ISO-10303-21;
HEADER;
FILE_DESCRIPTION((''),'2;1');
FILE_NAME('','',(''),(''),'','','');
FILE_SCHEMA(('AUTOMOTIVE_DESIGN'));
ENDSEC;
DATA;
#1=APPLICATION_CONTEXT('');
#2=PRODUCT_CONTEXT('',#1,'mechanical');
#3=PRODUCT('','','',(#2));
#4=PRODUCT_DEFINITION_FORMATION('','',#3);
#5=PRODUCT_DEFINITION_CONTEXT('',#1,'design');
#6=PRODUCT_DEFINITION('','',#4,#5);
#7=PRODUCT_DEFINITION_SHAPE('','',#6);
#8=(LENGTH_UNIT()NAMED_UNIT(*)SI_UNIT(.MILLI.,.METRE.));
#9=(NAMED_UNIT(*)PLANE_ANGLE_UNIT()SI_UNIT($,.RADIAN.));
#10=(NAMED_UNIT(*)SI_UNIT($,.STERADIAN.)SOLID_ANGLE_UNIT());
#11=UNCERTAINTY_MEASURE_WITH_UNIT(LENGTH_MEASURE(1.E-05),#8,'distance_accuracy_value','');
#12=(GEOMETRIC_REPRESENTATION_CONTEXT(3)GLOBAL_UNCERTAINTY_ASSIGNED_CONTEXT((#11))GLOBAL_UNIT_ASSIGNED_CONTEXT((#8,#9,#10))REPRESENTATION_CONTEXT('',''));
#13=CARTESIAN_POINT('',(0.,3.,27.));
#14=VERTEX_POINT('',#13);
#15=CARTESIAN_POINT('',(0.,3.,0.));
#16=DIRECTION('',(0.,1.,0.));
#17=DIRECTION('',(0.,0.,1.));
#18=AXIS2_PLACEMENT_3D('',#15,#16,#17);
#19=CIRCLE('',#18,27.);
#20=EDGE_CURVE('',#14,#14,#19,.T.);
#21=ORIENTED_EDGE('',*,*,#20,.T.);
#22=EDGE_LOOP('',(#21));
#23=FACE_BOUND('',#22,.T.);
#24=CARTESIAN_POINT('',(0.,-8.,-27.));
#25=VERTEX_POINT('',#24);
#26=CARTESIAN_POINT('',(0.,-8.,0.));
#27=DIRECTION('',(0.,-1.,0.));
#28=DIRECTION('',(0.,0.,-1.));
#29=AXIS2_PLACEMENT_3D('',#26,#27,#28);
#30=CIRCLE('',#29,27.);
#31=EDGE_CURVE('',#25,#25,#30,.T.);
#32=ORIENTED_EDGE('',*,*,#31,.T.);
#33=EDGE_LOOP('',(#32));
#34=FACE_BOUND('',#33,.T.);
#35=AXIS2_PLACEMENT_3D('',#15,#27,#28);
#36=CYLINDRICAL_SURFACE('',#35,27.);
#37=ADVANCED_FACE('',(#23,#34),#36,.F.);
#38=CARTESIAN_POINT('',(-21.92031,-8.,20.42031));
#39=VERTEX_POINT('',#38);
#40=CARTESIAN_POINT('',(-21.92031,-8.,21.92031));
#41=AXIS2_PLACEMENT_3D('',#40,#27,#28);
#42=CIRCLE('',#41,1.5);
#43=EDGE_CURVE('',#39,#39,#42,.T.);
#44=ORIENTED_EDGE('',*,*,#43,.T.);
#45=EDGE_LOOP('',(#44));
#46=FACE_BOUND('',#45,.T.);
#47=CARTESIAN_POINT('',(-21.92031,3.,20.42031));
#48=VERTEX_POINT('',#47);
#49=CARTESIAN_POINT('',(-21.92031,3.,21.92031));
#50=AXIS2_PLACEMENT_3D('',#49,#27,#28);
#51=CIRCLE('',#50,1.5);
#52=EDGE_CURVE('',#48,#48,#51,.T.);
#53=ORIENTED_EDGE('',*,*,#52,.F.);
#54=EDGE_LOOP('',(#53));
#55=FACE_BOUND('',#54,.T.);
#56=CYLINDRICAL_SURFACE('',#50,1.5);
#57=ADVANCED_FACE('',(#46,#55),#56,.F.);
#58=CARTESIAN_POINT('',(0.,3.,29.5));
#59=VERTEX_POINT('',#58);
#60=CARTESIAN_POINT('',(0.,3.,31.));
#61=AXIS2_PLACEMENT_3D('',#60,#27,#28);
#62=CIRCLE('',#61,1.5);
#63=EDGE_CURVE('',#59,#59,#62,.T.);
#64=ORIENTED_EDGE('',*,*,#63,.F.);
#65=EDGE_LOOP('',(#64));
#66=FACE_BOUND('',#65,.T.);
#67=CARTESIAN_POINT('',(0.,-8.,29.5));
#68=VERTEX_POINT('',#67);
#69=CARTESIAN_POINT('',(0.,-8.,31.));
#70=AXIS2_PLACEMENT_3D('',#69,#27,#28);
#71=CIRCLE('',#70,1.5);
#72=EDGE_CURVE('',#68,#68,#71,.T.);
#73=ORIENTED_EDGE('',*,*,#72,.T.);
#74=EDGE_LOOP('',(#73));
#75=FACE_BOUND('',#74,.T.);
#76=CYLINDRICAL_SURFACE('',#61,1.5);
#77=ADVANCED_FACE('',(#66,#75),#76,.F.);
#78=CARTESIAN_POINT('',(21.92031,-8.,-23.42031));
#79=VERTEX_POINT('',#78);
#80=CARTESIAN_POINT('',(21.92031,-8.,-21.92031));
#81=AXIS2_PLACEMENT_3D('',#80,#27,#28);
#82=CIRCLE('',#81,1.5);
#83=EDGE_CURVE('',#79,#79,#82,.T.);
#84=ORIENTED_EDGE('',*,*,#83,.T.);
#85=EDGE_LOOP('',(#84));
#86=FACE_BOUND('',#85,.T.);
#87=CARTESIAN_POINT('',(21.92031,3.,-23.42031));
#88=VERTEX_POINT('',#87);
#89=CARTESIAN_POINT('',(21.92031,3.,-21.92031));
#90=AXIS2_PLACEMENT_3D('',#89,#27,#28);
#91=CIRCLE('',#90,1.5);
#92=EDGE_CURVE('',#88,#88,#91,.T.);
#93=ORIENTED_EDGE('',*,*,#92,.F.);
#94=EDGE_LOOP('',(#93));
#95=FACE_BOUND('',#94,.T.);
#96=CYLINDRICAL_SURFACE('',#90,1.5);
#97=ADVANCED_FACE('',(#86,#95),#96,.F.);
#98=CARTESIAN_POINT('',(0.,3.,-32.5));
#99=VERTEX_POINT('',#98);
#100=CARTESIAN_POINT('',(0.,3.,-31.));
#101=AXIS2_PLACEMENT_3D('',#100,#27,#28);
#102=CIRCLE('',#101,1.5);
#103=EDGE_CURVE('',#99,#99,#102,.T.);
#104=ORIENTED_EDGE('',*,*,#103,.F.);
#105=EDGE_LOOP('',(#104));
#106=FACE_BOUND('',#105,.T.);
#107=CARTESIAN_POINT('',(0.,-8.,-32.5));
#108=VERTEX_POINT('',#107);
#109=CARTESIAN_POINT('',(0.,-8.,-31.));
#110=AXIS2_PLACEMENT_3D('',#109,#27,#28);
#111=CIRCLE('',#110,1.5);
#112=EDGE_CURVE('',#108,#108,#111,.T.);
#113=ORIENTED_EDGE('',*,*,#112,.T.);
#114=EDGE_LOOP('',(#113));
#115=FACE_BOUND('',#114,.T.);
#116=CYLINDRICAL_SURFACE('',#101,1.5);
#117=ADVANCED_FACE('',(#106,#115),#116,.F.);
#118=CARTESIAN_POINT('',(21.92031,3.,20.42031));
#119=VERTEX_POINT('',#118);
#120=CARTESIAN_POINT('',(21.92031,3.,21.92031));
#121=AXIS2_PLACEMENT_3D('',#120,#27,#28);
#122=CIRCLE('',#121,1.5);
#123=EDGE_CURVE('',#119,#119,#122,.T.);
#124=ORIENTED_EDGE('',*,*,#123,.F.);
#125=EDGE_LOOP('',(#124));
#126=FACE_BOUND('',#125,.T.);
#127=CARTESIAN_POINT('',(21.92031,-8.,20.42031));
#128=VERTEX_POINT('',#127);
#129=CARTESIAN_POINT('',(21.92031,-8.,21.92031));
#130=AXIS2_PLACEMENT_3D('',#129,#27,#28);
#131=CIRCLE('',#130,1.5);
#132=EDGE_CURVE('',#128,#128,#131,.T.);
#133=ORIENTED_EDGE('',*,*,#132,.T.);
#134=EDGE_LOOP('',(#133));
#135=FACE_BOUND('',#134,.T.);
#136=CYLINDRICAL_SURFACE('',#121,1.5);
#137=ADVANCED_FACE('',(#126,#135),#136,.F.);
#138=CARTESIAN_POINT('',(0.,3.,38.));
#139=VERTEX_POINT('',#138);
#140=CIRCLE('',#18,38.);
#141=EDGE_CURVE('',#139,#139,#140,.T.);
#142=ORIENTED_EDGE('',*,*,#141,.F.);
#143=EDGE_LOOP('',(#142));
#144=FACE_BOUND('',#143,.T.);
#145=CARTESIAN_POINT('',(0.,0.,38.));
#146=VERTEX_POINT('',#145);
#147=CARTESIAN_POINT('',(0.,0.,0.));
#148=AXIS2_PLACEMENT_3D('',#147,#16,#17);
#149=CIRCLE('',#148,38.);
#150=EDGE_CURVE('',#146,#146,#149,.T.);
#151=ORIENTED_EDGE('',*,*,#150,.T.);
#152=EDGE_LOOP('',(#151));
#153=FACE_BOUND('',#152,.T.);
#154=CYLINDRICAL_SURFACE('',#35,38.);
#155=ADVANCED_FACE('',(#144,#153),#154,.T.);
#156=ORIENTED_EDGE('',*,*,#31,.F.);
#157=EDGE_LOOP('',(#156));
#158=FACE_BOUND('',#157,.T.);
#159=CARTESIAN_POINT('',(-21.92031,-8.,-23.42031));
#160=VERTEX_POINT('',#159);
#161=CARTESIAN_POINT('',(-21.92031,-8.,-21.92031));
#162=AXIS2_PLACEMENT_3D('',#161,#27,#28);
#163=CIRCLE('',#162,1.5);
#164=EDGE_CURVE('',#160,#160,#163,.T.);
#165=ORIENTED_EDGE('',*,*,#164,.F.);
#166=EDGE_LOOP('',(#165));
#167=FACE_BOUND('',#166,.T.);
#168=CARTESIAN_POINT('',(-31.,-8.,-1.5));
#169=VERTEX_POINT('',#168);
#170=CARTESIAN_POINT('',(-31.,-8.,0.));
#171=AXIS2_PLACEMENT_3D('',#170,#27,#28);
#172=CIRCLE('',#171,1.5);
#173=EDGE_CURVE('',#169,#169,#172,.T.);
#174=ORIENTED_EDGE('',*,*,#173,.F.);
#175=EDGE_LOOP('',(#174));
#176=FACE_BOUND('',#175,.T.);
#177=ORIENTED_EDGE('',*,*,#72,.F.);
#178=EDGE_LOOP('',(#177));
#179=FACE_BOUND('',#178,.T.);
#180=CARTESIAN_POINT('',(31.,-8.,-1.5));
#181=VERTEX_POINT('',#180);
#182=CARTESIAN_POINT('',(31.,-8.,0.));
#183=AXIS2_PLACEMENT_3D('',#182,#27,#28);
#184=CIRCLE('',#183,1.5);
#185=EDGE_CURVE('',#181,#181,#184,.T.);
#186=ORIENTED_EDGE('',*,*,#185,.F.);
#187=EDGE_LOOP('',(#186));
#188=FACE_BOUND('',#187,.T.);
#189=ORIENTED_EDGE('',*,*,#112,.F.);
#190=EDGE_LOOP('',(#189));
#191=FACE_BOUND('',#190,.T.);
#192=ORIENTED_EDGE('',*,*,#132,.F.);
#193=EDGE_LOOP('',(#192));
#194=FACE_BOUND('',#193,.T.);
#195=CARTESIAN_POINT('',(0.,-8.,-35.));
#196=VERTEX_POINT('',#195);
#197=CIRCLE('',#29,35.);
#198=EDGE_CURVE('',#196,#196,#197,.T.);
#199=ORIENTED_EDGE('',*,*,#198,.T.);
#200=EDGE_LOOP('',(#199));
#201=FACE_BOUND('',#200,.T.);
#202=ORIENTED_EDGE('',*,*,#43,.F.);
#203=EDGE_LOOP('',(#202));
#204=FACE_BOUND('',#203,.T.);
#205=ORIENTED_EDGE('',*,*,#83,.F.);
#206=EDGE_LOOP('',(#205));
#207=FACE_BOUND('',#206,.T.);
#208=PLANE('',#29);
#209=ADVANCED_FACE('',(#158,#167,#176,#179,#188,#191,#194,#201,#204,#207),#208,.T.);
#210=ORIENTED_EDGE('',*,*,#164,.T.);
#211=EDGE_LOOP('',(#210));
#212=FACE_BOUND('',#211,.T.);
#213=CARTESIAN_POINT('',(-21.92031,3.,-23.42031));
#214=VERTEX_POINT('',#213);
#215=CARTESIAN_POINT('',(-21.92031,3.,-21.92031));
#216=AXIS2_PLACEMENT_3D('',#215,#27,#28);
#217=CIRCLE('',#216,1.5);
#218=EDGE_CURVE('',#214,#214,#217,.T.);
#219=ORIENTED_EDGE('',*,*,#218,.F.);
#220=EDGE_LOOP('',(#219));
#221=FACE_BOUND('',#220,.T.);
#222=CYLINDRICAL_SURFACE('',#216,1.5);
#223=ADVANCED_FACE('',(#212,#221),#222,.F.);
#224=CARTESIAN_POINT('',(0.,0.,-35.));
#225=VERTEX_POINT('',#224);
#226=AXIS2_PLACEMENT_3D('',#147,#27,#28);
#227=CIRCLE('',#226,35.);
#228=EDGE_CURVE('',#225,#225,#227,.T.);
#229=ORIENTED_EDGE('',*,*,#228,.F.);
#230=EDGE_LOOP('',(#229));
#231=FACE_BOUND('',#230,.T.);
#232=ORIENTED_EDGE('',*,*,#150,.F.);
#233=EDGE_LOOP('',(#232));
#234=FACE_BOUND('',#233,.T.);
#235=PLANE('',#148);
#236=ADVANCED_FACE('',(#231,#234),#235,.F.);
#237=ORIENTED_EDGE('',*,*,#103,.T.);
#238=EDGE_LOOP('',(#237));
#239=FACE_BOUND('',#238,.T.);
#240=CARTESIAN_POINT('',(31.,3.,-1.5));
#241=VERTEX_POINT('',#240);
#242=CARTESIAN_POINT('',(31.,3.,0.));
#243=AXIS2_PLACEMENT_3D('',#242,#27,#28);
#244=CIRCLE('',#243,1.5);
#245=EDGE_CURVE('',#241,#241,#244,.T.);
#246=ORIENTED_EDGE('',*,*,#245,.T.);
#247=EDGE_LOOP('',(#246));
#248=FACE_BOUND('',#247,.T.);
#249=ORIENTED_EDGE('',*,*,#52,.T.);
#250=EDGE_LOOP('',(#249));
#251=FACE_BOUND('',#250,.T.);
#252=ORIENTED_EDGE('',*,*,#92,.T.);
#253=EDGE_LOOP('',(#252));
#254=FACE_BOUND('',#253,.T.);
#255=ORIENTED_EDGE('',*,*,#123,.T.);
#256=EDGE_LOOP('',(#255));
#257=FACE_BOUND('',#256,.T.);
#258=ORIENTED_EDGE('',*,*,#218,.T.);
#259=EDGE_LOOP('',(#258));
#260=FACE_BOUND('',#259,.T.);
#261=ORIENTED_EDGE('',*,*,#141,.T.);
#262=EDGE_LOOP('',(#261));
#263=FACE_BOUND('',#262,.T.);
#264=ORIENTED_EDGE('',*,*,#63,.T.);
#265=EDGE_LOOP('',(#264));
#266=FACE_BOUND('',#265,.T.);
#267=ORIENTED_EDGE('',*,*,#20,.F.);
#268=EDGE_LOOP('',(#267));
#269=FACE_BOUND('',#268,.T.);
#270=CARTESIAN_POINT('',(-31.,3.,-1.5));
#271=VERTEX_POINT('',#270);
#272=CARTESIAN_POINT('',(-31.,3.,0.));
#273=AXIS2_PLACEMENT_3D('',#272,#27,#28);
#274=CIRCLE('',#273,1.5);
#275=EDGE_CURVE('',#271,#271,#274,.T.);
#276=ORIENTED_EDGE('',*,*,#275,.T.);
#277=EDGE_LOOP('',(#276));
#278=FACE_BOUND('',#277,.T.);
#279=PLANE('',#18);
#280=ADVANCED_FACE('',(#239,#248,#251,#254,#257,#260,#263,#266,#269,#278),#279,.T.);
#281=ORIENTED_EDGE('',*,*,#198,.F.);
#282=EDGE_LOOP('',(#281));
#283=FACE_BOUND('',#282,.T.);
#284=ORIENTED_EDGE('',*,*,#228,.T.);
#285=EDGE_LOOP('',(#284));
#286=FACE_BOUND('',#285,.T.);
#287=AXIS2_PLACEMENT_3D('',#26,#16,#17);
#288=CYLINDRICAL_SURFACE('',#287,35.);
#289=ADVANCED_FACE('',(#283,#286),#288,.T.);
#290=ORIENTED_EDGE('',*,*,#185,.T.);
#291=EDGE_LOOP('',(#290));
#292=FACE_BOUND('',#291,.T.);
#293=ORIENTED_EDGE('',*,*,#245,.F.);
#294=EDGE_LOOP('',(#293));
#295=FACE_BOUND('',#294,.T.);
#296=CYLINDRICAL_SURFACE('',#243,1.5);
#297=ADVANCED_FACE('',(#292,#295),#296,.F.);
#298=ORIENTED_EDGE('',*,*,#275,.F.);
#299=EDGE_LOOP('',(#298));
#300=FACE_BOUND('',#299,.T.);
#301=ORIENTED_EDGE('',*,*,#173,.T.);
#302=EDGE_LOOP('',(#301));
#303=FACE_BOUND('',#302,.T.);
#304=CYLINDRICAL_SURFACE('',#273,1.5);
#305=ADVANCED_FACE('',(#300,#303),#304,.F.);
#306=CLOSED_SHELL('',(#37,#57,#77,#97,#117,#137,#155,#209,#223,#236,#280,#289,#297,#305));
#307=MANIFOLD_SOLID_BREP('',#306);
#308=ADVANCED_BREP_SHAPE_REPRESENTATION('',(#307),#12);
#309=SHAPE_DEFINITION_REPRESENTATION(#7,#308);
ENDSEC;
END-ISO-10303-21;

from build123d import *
from build123d.topology import SkipClean

# Parameters (mm, degrees)
SKETCH_1_R          = 38
SKETCH_1_R_2        = 27
EXTRUDE_1_DEPTH     = 3
EXTRUDE_START       = 8
SKETCH_2_R          = 35
SKETCH_2_R_2        = 27
EXTRUDE_2_DEPTH     = 8
SKETCH_4_R          = 1.5
CUT_EXTRUDE_1_DEPTH = 55.854352608


with BuildPart() as part:
    # 草图1 → 凸台-拉伸1 (new body)
    with BuildSketch(Plane(origin=(0, 0, 0), x_dir=(1, 0, 0), z_dir=(0, 1, 0))):
        with Locations(Location((0, 0, 0), (0, 0, 270))):
            Circle(SKETCH_1_R)
        with Locations(Location((0, 0, 0), (0, 0, 270))):
            Circle(SKETCH_1_R_2, mode=Mode.SUBTRACT)
    extrude(amount=EXTRUDE_1_DEPTH)

    # 草图2 → 凸台-拉伸2 (add)
    with SkipClean():  # the faces are left unmerged after this step: merging them gives an invalid solid
        with BuildSketch(Plane.XZ.offset(EXTRUDE_START)):
            with Locations(Location((0, 0, 0), (0, 0, 270))):
                Circle(SKETCH_2_R)
            with Locations(Location((0, 0, 0), (0, 0, 270))):
                Circle(SKETCH_2_R_2, mode=Mode.SUBTRACT)
        extrude(amount=-EXTRUDE_2_DEPTH)

    # 草图4 → 切除-拉伸1 (cut, through all)
    with SkipClean():  # the faces are left unmerged after this step: merging them gives an invalid solid
        with BuildSketch(Plane.XZ.offset(8)):
            with Locations(Location((0, 31, 0), (0, 0, 270))):
                Circle(SKETCH_4_R)
            with Locations(Location((21.920310217, 21.920310217, 0), (0, 0, 270))):
                Circle(SKETCH_4_R)
            with Locations(Location((31, 0, 0), (0, 0, 270))):
                Circle(SKETCH_4_R)
            with Locations(Location((21.920310217, -21.920310217, 0), (0, 0, 270))):
                Circle(SKETCH_4_R)
            with Locations(Location((0, -31, 0), (0, 0, 270))):
                Circle(SKETCH_4_R)
            with Locations(Location((-21.920310217, -21.920310217, 0), (0, 0, 270))):
                Circle(SKETCH_4_R)
            with Locations(Location((-31, 0, 0), (0, 0, 270))):
                Circle(SKETCH_4_R)
            with Locations(Location((-21.920310217, 21.920310217, 0), (0, 0, 270))):
                Circle(SKETCH_4_R)
        extrude(amount=-CUT_EXTRUDE_1_DEPTH, mode=Mode.SUBTRACT)


solid = part.part
